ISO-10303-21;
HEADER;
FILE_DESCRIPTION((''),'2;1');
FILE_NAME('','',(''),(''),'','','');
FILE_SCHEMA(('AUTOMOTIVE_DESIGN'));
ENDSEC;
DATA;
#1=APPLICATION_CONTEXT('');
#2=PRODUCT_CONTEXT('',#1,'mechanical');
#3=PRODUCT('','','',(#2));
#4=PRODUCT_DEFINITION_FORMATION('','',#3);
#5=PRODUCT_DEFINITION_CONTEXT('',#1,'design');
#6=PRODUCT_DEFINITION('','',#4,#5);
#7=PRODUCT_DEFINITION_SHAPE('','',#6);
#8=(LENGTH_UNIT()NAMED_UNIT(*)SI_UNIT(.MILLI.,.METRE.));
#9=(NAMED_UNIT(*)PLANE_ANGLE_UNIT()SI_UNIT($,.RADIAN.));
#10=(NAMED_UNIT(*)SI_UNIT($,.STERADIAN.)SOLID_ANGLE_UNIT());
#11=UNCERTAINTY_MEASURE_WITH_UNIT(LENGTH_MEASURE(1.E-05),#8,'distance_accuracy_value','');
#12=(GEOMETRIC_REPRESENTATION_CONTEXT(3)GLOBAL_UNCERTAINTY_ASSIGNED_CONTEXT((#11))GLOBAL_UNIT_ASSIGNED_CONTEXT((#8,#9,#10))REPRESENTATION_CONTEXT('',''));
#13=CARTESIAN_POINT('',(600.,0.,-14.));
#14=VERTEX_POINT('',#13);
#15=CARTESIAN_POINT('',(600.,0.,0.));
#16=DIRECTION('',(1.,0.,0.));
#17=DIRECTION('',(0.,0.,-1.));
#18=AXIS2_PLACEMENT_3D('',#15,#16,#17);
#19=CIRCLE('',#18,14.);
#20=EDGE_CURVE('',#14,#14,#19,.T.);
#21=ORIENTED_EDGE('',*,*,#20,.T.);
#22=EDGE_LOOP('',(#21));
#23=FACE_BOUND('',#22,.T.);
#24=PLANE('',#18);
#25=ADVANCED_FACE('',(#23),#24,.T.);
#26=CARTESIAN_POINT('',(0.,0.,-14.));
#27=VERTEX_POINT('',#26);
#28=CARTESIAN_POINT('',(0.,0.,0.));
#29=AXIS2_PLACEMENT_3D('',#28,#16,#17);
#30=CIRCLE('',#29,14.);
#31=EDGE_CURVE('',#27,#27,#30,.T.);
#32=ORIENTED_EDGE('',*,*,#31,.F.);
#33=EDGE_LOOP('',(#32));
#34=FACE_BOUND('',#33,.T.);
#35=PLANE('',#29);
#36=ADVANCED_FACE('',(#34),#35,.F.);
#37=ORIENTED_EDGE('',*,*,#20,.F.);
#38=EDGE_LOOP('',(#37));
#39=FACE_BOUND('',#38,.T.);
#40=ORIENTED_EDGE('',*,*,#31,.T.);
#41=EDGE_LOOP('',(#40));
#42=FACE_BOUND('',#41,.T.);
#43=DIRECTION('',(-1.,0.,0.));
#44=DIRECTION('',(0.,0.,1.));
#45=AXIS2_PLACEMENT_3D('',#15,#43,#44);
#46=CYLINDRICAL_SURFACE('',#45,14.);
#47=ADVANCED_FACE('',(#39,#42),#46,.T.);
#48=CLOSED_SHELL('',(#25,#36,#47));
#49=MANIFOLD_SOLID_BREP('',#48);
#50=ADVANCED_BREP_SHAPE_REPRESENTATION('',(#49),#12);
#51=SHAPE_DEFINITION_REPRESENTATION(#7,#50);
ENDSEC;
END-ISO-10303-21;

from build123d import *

# Parameters (mm, degrees)
SKETCH_1_R      = 14
EXTRUDE_1_DEPTH = 600


with BuildPart() as part:
    # Эскиз1 → Бобышка-Вытянуть1 (new body)
    with BuildSketch(Plane(origin=(0, 0, 0), x_dir=(0, 0, -1), z_dir=(1, 0, 0))):
        Circle(SKETCH_1_R)
    extrude(amount=EXTRUDE_1_DEPTH)


solid = part.part
